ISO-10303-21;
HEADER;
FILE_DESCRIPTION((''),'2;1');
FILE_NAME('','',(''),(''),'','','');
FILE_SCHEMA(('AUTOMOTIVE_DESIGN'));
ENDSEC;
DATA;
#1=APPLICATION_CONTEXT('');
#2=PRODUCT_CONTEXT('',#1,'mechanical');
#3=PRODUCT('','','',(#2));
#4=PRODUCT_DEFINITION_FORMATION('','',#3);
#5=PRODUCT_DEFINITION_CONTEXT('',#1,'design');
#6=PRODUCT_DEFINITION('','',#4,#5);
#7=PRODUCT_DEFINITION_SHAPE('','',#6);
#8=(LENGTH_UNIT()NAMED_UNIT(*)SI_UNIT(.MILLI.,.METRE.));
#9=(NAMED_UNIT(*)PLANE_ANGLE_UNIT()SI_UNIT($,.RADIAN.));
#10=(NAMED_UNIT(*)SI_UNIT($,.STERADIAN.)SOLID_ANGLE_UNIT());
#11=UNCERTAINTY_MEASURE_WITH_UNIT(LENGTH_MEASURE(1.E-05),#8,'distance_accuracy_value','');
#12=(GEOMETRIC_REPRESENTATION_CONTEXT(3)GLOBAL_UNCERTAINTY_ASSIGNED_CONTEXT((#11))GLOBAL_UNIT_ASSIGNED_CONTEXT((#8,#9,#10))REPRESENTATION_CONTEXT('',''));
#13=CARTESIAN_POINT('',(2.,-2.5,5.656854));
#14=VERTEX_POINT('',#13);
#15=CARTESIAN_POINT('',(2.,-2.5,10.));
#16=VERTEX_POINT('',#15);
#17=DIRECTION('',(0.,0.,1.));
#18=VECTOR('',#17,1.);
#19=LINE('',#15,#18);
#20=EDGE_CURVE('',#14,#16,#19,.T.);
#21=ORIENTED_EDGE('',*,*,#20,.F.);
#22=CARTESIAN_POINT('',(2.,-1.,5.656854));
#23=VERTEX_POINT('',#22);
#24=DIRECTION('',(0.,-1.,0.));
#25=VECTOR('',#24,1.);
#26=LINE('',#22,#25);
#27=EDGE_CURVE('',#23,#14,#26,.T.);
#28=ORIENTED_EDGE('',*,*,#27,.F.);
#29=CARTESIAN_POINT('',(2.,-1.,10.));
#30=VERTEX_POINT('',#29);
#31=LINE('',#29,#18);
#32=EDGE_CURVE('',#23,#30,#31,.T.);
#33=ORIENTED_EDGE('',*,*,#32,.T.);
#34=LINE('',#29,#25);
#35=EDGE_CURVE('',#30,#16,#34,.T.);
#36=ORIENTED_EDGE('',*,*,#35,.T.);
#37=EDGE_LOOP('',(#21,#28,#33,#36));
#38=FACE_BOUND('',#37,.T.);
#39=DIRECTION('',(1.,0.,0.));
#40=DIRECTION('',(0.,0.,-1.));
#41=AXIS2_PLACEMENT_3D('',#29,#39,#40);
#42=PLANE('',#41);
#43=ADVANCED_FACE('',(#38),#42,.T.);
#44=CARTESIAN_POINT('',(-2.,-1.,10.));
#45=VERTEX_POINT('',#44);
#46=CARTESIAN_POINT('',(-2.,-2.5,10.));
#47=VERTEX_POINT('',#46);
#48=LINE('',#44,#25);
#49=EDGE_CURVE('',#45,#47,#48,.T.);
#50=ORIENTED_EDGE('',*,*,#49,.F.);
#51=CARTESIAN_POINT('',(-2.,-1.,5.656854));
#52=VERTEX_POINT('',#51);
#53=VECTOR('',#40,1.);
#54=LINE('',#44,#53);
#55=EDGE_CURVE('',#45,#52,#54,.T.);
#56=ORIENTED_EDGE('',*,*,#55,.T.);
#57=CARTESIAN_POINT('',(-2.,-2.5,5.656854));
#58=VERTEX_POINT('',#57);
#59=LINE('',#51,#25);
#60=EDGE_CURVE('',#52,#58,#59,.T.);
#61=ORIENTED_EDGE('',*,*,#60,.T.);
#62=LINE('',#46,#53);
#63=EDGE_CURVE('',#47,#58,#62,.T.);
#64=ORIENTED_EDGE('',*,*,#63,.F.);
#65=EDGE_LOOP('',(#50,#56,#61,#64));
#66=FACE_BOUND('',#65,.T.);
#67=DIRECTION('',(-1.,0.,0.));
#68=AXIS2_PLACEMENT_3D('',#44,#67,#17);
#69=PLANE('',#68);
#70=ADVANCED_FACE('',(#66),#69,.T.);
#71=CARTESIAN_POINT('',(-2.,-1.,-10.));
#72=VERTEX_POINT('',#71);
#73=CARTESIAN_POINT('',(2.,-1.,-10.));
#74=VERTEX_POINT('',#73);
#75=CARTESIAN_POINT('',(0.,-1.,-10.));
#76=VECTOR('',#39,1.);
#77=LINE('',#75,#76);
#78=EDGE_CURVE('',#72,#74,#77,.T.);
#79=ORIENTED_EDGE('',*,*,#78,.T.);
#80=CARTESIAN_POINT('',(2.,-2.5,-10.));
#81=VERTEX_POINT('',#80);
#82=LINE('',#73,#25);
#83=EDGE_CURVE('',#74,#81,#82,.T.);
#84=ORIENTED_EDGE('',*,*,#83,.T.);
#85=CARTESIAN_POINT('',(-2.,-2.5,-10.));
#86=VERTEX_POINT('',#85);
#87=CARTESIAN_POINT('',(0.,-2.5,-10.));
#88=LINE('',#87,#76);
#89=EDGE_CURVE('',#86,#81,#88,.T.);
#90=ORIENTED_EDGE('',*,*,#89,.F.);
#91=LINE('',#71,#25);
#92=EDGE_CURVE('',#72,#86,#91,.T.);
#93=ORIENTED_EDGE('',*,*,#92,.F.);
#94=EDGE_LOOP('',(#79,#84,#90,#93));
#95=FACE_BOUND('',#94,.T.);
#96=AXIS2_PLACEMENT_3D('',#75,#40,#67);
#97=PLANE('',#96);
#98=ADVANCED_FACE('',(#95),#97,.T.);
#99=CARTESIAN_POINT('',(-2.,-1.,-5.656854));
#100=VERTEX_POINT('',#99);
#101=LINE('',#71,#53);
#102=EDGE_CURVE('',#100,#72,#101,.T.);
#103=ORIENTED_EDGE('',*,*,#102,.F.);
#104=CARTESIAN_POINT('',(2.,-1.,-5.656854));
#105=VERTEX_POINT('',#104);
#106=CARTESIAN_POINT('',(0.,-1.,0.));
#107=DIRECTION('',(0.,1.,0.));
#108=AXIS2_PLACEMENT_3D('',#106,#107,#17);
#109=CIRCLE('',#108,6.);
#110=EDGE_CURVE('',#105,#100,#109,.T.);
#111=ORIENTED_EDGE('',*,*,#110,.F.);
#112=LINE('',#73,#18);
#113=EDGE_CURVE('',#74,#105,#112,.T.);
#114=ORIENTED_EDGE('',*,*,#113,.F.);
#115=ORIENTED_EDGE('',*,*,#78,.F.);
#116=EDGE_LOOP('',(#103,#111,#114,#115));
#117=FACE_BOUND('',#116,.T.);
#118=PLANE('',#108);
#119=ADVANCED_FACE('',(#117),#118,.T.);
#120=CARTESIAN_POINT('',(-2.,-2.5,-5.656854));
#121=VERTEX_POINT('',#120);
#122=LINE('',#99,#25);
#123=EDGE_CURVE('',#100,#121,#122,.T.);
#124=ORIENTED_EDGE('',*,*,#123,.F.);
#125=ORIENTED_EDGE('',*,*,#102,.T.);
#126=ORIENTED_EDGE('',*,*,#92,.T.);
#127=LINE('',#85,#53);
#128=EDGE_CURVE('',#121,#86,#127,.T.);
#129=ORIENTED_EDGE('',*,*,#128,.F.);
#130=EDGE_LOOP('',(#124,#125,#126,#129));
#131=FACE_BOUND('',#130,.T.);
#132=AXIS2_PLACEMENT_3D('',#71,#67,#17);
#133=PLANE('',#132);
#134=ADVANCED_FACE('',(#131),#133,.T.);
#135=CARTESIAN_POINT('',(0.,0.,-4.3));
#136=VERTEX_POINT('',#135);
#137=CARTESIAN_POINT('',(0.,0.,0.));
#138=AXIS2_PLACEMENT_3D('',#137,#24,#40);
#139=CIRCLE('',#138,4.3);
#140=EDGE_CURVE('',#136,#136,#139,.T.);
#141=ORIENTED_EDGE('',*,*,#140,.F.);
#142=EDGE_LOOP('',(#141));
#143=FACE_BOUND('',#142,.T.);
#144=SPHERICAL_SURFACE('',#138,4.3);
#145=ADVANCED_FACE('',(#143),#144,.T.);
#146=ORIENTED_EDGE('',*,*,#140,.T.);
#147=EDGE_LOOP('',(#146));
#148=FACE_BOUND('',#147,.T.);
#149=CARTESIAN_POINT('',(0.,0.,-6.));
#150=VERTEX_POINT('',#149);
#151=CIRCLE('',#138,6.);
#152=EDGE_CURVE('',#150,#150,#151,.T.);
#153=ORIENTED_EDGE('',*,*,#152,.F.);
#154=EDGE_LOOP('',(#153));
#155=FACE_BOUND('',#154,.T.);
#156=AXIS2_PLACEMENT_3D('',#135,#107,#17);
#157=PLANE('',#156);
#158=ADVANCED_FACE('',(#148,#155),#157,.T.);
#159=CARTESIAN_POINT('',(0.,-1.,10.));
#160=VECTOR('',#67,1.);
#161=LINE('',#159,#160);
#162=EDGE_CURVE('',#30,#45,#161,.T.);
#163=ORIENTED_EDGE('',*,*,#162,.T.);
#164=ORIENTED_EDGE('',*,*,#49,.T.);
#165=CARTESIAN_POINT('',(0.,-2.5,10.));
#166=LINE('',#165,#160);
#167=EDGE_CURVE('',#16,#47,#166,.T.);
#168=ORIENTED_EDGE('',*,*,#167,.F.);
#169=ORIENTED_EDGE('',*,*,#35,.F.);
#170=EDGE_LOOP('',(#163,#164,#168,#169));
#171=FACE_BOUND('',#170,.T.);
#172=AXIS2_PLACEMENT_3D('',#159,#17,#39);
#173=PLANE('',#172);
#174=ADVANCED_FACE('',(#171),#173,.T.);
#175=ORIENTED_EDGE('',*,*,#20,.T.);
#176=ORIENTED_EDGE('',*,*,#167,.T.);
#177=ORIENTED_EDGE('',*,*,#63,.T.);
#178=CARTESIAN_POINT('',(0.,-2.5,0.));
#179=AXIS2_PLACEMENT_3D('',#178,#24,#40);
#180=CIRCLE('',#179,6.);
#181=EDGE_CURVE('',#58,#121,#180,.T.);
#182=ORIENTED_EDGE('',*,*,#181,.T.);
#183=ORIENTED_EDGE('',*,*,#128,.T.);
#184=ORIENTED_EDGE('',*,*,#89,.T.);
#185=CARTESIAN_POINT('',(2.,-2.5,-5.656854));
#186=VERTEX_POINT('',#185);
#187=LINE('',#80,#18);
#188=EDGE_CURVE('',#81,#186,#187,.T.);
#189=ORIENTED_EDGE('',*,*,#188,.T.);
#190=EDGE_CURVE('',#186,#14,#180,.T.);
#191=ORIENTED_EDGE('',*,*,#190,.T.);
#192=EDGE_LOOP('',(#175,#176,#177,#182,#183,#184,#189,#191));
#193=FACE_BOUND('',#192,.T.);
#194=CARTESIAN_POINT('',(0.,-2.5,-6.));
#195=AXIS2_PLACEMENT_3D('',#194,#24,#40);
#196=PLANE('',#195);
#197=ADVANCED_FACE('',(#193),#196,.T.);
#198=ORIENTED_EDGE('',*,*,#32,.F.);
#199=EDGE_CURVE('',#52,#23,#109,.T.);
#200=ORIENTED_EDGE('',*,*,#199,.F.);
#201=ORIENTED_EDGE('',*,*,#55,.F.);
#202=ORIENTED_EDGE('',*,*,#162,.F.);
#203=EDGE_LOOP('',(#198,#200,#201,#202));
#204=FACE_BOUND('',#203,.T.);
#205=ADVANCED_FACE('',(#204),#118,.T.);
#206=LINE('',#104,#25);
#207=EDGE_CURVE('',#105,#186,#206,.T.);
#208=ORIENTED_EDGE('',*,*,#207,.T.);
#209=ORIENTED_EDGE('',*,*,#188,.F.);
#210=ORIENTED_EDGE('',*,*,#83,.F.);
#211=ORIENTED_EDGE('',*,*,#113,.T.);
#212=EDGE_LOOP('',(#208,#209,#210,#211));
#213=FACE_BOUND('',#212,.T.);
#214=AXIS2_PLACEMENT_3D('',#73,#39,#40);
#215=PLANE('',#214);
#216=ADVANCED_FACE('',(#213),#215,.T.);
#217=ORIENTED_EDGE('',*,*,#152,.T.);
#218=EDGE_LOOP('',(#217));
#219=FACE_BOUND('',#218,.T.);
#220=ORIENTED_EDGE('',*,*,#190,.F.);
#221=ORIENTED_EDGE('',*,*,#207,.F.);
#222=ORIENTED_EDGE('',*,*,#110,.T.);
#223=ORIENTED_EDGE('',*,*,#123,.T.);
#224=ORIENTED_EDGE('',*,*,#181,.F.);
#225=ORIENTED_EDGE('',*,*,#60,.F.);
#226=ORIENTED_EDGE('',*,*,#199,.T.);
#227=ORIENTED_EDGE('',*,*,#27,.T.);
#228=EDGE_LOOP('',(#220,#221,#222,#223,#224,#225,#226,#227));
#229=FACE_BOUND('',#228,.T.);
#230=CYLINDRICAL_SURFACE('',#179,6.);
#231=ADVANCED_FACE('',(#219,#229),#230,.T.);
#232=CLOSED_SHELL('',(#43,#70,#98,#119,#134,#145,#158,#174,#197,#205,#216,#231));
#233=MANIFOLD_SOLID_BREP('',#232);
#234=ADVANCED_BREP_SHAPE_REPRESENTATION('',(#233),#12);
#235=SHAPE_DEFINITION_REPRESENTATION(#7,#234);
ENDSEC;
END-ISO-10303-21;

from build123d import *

# Parameters (mm, degrees)
BOSS_EXTRUDE1_DEPTH = 1.5


with BuildPart() as part:
    # Sketch1 → Revolve1 (revolve)
    with BuildSketch(Plane(origin=(0, 0, 0), x_dir=(0, 0, -1), z_dir=(1, 0, 0))):
        with BuildLine():
            Line((4.3, 0), (6, 0))
            Line((6, 0), (6, -2.5))
            Line((6, -2.5), (0, -2.5))
            Line((0, -2.5), (0, 4.3))
            ThreePointArc((0, 4.3), (3.040559159, 3.040559159), (4.3, 0))
        make_face()
    revolve(axis=Axis((0, -2.5, 0), (0, 1, 0)))

    # Sketch2 → Boss-Extrude1 (add)
    with BuildSketch(Plane.XZ.offset(2.5)):
        with BuildLine():
            Line((0, 10), (-2, 10))
            Line((-2, 10), (-2, 5.656854249))
            ThreePointArc((-2, 5.656854249), (0, 6), (2, 5.656854249))
            Line((2, 5.656854249), (2, 10))
            Line((2, 10), (0, 10))
        make_face()
        with BuildLine():
            Line((0, -10), (-2, -10))
            Line((-2, -10), (-2, -5.656854249))
            ThreePointArc((-2, -5.656854249), (0, -6), (2, -5.656854249))
            Line((2, -5.656854249), (2, -10))
            Line((2, -10), (0, -10))
        make_face()
    extrude(amount=-BOSS_EXTRUDE1_DEPTH)


solid = part.part
